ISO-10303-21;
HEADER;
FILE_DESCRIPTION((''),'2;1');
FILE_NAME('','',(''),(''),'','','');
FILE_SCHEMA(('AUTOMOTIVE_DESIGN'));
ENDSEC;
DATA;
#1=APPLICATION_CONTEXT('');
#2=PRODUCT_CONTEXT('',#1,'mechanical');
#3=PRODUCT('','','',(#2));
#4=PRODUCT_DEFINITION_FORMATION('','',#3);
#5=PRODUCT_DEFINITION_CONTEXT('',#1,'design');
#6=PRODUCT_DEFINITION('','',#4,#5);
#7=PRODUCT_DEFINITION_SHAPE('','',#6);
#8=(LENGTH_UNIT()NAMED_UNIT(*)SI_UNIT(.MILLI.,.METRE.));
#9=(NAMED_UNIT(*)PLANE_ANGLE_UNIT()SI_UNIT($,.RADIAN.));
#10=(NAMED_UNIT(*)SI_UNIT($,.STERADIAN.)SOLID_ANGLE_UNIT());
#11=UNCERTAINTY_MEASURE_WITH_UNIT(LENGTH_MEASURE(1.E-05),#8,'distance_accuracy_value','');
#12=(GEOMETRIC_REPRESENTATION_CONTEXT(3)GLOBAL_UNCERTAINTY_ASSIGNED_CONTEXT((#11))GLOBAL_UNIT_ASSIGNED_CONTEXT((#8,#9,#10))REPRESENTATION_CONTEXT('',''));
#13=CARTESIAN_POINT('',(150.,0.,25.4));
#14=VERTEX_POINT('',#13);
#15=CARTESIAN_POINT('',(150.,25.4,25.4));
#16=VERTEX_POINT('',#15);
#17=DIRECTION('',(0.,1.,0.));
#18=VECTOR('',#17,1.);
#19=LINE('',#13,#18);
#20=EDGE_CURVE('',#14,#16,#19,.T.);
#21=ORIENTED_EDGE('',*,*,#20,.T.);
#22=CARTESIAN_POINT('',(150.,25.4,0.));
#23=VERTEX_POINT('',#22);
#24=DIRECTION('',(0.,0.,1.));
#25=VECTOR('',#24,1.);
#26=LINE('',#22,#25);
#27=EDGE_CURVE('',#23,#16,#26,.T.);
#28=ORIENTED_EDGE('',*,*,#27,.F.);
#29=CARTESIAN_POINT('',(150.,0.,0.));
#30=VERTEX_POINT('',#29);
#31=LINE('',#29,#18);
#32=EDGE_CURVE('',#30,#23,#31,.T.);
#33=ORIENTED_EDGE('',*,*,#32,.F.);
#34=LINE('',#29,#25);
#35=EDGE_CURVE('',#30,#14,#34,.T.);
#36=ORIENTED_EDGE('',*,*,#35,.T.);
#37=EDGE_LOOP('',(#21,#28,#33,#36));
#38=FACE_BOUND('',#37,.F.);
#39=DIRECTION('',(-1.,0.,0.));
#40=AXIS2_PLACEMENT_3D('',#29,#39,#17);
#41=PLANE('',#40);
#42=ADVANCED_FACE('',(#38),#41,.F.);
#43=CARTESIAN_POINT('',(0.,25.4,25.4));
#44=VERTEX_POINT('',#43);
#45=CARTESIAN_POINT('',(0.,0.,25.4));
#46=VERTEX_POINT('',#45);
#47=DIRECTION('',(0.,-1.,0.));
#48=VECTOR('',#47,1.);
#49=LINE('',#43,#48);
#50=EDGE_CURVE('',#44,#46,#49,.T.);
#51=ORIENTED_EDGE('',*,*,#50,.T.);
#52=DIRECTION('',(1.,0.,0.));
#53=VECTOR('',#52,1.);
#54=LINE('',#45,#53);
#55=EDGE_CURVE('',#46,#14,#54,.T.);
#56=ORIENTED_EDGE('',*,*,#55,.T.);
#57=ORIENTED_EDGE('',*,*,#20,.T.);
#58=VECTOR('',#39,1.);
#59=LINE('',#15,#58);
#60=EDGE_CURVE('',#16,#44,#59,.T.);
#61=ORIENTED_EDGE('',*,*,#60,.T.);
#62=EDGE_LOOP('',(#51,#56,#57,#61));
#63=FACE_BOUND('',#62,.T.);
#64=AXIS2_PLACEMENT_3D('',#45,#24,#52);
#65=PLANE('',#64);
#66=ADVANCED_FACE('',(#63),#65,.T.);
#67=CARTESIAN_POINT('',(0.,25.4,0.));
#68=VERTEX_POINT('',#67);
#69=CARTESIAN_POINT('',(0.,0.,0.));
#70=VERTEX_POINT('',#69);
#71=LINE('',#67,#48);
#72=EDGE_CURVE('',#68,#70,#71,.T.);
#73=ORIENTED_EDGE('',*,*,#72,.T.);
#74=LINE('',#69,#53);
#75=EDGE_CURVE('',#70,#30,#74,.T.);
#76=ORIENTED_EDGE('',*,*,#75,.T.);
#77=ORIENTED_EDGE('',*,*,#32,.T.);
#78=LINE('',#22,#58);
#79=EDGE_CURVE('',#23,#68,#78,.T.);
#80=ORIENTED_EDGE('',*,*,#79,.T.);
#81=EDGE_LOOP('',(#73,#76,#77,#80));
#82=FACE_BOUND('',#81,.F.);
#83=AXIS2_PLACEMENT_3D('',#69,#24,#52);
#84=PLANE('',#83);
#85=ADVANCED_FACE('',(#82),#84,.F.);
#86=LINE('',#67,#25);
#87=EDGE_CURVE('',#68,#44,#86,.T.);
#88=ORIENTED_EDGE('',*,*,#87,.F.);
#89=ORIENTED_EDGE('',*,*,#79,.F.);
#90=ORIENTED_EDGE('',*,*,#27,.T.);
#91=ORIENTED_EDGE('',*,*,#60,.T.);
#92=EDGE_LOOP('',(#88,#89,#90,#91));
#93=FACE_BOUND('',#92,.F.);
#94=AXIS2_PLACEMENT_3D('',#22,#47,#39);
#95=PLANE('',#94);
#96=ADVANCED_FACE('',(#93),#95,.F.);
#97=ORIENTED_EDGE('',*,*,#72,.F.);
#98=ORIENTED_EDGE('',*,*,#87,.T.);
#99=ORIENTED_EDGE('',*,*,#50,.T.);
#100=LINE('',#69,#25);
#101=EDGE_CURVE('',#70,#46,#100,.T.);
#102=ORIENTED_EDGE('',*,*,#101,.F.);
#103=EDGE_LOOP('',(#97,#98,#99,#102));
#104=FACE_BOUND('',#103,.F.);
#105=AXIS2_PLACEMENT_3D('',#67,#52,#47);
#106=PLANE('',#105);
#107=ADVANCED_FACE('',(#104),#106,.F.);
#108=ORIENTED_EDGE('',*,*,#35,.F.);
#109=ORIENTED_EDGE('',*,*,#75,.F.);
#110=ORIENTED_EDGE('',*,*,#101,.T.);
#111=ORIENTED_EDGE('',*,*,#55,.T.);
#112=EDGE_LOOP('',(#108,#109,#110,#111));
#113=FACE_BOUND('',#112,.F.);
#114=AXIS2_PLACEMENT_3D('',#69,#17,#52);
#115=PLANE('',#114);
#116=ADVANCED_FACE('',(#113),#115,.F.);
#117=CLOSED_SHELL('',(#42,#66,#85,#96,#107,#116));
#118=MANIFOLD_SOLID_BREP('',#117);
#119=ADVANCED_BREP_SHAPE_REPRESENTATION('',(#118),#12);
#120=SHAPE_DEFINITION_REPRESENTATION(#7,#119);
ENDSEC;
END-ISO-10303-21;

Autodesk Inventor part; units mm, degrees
ref_plane "YZ Plane" through (0, 0, 0) normal (1, 0, 0) x (0, 1, 0)
ref_plane "XZ Plane" through (0, 0, 0) normal (0, 1, 0) x (-1, 0, 0)
ref_plane "XY Plane" through (0, 0, 0) normal (0, 0, 1) x (1, 0, 0)
sketch "Sketch1" plane through (0, 0, 0) normal (0, 0, 1) x (1, 0, 0)
  line L0 (0, 0) -> (150, 0)
  line L1 (150, 0) -> (150, 25.4)
  line L2 (150, 25.4) -> (0, 25.4)
  line L3 (0, 25.4) -> (0, 0)
  dimension "d0" = 25.4
  dimension "d1" = 150
extrude "Extrusion1" add sketch "Sketch1" along normal blind 25.4
properties part number "Ferrite Absorber"
